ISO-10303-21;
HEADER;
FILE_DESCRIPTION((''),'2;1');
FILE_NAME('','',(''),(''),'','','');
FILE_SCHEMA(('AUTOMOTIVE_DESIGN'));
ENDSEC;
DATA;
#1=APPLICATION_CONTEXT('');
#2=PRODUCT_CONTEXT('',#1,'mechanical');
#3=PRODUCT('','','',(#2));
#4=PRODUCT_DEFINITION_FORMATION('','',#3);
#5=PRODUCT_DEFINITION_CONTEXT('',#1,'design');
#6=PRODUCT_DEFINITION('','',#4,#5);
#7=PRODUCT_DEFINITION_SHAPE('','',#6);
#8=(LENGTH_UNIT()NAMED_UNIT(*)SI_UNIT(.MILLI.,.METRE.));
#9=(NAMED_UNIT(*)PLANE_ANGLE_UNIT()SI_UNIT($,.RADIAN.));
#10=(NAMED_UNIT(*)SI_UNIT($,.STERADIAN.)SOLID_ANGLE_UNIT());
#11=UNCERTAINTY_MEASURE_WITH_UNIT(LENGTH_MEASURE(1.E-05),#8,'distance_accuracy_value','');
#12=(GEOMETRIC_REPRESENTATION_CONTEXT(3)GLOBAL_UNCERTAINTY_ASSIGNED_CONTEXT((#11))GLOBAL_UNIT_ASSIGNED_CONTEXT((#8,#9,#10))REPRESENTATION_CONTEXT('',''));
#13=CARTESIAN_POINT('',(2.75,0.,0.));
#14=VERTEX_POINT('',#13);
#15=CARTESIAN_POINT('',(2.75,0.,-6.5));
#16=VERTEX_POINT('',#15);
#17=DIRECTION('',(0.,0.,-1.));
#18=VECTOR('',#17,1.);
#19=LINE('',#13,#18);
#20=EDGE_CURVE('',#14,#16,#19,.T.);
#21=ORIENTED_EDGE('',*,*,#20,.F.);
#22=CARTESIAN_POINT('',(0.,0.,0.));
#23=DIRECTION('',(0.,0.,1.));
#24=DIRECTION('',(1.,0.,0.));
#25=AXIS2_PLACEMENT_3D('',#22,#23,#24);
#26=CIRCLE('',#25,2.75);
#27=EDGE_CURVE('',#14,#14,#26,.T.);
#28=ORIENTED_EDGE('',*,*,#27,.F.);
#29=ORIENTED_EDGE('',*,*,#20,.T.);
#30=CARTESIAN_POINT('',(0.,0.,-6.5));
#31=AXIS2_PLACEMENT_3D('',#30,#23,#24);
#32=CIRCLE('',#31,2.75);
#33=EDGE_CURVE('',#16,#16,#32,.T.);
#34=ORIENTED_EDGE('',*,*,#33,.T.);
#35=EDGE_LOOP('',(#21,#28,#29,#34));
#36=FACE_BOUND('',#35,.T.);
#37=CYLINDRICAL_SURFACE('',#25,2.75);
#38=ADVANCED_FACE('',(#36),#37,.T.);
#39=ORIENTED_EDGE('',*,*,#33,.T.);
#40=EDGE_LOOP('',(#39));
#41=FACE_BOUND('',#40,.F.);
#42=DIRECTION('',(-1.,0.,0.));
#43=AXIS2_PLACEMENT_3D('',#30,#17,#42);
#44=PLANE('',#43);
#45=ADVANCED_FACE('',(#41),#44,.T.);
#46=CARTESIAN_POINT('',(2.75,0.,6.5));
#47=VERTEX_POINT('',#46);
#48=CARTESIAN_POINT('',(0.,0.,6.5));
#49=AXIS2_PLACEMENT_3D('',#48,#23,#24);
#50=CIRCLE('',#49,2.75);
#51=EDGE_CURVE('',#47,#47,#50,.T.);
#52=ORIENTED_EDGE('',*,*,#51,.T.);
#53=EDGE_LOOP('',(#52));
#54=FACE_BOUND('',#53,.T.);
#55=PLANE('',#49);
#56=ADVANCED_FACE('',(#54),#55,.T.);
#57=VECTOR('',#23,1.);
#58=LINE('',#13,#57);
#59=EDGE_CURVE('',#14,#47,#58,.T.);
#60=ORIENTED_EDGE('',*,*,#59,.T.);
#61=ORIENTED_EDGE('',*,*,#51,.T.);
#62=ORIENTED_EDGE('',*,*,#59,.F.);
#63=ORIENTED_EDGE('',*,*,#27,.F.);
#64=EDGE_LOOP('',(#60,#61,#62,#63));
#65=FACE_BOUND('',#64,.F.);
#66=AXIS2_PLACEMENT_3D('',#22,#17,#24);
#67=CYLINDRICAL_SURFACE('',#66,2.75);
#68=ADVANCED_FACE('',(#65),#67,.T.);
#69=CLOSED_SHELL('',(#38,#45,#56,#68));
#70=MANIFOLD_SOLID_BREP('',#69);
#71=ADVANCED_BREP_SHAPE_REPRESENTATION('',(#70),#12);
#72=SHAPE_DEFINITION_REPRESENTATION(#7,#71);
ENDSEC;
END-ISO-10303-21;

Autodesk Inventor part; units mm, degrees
ref_plane "YZ Plane" through (0, 0, 0) normal (1, 0, 0) x (0, 1, 0)
ref_plane "XZ Plane" through (0, 0, 0) normal (0, 1, 0) x (-1, 0, 0)
ref_plane "XY Plane" through (0, 0, 0) normal (0, 0, 1) x (1, 0, 0)
sketch "スケッチ1" plane through (0, 0, 0) normal (0, 0, 1) x (1, 0, 0)
  circle A0 centre (0, 0) radius 2.75
  dimension "d0" = 5.5
extrude "押し出し1" add sketch "スケッチ1" along normal blind 6.5
mirror "ミラー1" about plane through (0, 0, 0) normal (0, 0, -1)
properties part number "fuse_fuse" material "ガラス"
